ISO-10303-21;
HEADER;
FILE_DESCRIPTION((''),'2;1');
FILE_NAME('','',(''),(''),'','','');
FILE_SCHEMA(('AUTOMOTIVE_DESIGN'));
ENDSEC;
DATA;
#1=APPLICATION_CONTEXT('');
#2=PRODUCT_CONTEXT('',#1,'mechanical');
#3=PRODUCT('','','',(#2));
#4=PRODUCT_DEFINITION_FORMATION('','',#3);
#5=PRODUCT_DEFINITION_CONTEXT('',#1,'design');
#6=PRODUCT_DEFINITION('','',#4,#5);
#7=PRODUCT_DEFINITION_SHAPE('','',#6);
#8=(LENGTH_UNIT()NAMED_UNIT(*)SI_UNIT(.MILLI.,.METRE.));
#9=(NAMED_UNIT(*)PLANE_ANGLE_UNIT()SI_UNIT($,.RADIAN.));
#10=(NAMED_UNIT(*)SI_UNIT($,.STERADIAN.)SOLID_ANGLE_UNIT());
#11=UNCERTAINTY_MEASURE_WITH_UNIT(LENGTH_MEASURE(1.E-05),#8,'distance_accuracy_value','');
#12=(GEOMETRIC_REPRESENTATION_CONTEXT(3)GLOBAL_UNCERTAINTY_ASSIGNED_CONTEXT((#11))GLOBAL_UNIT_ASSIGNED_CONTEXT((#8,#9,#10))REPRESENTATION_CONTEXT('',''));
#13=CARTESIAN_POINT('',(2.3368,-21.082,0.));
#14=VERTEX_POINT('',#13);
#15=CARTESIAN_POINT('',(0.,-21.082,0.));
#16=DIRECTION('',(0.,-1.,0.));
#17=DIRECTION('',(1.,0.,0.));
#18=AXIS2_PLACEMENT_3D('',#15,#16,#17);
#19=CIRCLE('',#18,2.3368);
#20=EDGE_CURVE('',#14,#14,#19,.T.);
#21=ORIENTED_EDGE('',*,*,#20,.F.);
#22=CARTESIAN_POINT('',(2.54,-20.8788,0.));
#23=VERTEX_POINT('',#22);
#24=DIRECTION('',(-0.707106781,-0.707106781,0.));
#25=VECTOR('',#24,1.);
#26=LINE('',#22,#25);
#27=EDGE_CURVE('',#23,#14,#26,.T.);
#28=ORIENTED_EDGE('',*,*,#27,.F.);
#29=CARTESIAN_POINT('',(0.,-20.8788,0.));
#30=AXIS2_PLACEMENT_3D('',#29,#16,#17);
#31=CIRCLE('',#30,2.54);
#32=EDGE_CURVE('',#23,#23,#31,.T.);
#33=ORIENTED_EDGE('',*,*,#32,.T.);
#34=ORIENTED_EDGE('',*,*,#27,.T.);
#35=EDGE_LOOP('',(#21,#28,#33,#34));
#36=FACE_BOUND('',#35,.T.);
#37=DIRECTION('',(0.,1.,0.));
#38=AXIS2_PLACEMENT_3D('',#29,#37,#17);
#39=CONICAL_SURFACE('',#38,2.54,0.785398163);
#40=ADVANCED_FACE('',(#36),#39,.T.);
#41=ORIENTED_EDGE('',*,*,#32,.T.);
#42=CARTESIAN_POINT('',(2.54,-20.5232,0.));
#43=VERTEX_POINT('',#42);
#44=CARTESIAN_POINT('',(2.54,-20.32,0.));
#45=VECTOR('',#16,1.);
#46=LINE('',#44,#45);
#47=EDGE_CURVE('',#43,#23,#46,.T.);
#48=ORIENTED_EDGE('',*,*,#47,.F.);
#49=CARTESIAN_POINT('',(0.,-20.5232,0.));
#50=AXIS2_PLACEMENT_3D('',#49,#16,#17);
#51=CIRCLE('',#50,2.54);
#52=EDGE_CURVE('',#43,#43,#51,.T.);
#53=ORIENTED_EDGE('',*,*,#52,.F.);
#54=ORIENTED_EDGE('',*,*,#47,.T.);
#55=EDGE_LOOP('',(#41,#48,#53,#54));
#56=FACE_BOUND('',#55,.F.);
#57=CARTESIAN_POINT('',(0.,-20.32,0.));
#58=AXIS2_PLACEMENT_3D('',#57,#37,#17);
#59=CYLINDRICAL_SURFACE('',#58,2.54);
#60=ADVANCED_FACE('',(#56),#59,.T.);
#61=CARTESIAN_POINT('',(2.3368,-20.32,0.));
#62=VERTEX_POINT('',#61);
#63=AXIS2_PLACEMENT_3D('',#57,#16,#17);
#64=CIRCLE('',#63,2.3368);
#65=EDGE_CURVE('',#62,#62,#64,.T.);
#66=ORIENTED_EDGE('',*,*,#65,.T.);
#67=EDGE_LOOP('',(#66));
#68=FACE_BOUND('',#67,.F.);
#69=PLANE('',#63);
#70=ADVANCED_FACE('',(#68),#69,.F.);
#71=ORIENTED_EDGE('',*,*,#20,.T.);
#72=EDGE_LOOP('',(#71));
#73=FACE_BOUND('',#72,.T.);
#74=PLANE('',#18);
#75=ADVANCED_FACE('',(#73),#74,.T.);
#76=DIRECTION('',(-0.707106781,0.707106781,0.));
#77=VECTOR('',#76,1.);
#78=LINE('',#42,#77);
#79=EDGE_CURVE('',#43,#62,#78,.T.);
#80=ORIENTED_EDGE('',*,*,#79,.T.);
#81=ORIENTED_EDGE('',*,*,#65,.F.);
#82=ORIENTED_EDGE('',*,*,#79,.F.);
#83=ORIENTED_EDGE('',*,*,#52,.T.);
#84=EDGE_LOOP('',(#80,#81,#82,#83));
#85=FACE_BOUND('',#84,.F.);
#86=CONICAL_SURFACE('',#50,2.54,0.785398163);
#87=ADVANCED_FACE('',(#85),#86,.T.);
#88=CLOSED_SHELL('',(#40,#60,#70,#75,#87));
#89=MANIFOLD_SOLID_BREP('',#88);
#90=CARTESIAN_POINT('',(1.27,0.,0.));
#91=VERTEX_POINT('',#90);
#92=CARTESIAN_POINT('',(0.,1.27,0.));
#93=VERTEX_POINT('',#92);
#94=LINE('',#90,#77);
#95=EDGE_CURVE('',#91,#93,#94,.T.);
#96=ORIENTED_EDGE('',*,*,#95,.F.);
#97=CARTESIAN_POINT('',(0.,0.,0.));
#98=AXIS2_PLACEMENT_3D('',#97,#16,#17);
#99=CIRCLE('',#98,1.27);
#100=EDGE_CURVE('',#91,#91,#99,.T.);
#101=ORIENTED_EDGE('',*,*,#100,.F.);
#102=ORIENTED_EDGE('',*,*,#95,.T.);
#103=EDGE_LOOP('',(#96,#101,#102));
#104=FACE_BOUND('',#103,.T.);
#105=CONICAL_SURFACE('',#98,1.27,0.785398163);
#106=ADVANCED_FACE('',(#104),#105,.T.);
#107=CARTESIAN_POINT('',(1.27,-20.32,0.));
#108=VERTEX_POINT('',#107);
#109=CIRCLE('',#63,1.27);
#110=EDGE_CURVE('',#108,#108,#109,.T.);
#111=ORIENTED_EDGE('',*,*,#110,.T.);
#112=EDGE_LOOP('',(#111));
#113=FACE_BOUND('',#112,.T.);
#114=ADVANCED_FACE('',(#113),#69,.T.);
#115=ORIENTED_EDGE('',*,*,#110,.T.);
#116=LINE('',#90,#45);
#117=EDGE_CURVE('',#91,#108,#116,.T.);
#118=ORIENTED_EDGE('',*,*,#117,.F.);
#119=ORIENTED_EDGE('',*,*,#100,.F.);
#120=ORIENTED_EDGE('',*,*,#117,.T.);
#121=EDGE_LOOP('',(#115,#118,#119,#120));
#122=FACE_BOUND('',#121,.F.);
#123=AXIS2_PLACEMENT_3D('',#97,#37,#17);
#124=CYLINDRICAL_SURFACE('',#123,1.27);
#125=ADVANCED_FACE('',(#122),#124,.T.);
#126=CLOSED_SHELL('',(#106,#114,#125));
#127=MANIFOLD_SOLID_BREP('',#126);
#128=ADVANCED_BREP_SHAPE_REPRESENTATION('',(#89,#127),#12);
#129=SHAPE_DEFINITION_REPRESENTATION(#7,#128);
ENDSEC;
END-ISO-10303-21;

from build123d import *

# Parameters (mm, degrees)
F0_R     = 1.27
F1_DEPTH = 20.32
F2_R     = 2.54
F2_R_2   = 1.27
F3_DEPTH = 0.762
F4_SIZE  = 0.2032


with BuildPart() as f1:
    # F0 (on Front) → F1 (new body)
    with BuildSketch(Plane.XZ):
        Circle(F0_R)
    extrude(amount=F1_DEPTH)

    # F5 (on Top) → F6 (revolve)
    with BuildSketch(Plane.XY):
        Polygon((0, 1.27), (0, 0), (1.27, 0), align=None)
    revolve(axis=Axis((0, 0.635, 0), (0, 1, 0)))


with BuildPart() as f3:
    # F2 (on face) → F3 (new body)
    with BuildSketch(Plane.XZ.offset(20.32)):
        Circle(F2_R)
        Circle(F2_R_2, mode=Mode.SUBTRACT)
        Circle(F2_R_2)
    extrude(amount=F3_DEPTH)

    # F4
    f4_edges = [f3.edges().sort_by_distance(p)[0] for p in [
        (-2.54, -21.082, 0),
        (-2.54, -20.32, 0),
    ]]
    chamfer(f4_edges, length=F4_SIZE)


solid = Compound([f1.part, f3.part])
